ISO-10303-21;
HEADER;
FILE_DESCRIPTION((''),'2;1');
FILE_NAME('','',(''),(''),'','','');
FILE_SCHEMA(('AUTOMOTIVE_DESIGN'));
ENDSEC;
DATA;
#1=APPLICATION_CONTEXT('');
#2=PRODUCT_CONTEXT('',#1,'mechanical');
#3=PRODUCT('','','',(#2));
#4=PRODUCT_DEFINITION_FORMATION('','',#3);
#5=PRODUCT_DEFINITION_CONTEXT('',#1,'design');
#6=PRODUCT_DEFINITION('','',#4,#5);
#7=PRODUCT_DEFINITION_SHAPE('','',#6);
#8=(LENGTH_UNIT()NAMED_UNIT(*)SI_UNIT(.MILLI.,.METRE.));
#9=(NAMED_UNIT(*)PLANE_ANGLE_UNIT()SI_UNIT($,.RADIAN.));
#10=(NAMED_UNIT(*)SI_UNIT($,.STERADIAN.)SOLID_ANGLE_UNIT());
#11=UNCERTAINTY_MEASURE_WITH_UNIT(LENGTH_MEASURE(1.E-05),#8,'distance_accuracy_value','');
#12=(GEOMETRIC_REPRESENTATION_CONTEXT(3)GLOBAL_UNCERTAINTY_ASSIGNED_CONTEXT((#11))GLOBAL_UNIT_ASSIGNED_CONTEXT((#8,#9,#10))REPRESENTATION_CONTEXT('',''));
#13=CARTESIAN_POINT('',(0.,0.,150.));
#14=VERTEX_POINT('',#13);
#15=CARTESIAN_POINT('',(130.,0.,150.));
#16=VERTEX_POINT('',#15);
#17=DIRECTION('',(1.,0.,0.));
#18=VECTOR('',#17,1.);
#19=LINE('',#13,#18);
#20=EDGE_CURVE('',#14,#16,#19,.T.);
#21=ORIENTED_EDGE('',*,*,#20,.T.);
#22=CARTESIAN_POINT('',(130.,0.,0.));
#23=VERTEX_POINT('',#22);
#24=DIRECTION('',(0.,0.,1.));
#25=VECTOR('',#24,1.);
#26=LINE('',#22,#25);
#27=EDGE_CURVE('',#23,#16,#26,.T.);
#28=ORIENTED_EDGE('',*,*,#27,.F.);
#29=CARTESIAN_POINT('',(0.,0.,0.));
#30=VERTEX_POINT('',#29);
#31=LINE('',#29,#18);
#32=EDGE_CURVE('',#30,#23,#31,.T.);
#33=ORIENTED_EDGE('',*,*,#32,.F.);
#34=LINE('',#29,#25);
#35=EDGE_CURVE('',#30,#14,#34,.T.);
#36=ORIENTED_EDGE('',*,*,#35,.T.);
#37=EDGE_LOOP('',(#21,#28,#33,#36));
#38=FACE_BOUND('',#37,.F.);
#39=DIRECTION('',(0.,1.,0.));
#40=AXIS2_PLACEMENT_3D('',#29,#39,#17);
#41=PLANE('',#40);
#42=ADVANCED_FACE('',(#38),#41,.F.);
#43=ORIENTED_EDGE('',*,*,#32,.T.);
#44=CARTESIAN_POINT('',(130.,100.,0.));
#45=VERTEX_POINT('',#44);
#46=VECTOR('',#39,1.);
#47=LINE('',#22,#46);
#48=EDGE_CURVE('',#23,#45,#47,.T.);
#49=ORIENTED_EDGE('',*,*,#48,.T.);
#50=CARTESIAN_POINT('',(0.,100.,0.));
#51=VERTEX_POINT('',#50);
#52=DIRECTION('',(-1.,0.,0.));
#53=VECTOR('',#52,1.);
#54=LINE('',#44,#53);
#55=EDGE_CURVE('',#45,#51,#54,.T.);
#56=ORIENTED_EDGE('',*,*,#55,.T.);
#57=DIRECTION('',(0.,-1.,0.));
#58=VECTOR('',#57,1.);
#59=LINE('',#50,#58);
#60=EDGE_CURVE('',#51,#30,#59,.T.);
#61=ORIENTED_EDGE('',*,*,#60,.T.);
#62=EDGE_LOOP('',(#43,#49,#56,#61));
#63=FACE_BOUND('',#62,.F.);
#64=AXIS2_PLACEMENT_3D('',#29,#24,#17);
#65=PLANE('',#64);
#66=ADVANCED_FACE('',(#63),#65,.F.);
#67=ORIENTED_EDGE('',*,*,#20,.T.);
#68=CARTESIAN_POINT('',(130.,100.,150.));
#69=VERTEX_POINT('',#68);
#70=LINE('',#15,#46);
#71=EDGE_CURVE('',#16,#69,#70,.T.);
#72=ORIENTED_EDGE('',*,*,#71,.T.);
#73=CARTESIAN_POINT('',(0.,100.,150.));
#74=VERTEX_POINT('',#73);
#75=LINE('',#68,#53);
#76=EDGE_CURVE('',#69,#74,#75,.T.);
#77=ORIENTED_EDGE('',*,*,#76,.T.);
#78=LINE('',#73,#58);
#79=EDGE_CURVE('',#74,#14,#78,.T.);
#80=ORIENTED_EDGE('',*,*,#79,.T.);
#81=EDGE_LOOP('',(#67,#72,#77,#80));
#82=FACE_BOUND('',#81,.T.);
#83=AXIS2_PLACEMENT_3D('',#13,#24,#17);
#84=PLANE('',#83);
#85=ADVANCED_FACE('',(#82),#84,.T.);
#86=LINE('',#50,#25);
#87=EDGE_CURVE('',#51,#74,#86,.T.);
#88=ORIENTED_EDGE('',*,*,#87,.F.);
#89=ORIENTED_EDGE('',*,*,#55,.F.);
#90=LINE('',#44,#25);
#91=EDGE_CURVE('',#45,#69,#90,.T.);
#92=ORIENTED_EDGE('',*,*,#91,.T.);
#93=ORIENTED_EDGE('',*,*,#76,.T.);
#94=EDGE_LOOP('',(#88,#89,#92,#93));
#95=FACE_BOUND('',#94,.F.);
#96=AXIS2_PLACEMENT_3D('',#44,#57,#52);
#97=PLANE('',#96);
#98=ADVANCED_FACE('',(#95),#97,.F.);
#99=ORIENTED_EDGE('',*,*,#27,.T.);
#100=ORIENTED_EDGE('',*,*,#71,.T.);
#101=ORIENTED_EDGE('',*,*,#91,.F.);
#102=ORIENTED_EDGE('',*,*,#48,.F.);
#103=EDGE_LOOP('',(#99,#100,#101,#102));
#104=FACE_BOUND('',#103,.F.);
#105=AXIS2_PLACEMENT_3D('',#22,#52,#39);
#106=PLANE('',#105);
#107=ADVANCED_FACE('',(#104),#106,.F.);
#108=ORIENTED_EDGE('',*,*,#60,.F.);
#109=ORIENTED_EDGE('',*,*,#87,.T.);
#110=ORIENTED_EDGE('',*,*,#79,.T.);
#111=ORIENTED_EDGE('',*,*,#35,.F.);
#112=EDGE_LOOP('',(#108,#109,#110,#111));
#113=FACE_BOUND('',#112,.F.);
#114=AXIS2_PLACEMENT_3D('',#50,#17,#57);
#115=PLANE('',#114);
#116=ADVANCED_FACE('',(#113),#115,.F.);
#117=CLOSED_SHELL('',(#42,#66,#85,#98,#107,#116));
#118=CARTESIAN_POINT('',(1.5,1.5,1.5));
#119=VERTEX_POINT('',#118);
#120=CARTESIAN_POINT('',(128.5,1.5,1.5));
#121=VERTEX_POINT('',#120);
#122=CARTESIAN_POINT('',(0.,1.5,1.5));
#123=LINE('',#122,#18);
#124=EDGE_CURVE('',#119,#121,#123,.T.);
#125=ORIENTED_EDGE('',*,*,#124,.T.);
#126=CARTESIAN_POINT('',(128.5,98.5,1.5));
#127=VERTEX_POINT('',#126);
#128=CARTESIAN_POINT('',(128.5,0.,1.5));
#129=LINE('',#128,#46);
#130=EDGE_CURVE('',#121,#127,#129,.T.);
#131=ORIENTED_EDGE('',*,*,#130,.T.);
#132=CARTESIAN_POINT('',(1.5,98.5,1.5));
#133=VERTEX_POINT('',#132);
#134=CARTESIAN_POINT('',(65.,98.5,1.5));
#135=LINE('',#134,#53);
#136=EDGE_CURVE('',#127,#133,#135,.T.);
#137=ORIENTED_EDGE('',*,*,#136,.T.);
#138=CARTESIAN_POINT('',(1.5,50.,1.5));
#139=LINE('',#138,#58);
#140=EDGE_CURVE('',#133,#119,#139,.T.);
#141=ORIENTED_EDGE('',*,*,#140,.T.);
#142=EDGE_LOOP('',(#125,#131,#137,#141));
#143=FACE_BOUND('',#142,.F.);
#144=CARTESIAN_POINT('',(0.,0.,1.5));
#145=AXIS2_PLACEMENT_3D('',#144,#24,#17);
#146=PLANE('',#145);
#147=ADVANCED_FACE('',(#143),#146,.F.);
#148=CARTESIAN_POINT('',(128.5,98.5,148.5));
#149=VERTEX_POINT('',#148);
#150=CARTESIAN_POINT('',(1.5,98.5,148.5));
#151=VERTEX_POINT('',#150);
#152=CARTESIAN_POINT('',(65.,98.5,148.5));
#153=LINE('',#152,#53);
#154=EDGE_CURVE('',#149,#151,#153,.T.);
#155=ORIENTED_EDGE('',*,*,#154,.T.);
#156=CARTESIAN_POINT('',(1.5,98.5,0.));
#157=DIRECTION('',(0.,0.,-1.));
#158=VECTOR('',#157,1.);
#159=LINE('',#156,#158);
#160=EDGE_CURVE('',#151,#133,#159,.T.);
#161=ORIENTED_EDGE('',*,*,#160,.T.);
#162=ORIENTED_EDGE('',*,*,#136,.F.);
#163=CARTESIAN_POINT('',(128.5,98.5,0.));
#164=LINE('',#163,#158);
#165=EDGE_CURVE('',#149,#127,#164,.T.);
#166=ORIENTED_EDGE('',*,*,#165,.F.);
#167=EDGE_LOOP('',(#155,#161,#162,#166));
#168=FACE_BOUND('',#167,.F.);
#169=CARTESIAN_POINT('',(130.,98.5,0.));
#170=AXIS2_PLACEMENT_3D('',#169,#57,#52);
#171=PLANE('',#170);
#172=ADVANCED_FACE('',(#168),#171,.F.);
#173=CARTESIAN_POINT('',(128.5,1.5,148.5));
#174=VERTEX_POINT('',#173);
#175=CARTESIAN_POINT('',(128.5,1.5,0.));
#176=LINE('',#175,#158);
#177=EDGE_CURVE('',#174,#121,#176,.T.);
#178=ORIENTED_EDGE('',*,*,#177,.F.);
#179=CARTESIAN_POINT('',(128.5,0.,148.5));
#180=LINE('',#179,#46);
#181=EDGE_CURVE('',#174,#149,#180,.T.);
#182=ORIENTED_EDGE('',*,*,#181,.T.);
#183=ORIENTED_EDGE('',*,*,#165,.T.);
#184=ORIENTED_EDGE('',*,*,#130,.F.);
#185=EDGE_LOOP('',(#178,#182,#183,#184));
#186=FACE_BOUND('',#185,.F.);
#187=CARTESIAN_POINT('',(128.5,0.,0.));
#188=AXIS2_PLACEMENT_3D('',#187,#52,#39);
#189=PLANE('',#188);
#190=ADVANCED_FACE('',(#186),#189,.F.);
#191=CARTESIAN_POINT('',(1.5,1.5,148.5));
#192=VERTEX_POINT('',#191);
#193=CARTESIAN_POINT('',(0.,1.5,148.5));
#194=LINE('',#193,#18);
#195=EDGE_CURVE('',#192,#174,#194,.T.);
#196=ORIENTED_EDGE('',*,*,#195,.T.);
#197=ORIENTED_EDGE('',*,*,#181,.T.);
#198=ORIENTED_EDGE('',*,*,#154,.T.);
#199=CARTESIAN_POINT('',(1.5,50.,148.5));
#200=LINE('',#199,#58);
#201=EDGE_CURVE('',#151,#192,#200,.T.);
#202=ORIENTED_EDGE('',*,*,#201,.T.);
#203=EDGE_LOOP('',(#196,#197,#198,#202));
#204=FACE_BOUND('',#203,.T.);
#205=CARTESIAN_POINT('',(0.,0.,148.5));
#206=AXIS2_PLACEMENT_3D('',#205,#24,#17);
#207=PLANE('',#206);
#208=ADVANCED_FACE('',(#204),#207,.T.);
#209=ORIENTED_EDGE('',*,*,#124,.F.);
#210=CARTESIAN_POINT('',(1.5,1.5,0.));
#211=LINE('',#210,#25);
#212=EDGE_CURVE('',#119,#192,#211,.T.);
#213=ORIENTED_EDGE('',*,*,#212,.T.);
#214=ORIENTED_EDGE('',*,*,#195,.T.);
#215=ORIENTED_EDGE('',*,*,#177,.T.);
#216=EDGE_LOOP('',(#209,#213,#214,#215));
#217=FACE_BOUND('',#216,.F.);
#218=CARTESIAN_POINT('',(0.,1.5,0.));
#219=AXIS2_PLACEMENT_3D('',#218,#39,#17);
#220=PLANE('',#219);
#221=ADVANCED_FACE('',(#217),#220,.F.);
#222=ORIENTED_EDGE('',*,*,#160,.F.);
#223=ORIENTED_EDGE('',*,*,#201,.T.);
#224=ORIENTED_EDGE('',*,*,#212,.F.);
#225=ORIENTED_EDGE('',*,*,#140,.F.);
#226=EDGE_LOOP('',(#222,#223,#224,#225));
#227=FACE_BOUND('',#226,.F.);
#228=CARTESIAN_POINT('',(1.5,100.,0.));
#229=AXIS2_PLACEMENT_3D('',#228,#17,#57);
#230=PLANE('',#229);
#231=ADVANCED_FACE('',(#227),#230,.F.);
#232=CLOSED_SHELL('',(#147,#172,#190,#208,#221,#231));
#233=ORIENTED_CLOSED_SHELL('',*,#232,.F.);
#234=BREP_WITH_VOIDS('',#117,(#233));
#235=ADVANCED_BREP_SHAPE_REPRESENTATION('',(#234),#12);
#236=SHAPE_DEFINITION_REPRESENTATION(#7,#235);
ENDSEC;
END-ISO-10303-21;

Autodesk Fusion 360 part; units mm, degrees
sketch "Esboço1" plane through (0, 0, 0) normal (0, 0, 1) x (1, 0, 0)
  line L0 (0, 0) -> (110, 0)
  line L1 (110, 0) -> (110, 140)
  line L2 (110, 140) -> (0, 140)
  line L3 (0, 140) -> (0, 0)
  dimension "d1" = 110
  dimension "d2" = 140
sketch "Esboço2" plane through (0, 0, 0) normal (0, 0, 1) x (1, 0, 0)
  line L0 (20, 180) -> (107.7649, 180)
  line L1 (107.7649, 180) -> (107.7649, 243.1748)
  line L2 (107.7649, 243.1748) -> (20, 243.1748)
  line L3 (20, 243.1748) -> (20, 180)
sketch "Esboço3" plane through (0, 0, 0) normal (0, 0, 1) x (1, 0, 0)
  line L0 (0, 0) -> (130, 0)
  line L1 (130, 0) -> (130, 100)
  line L2 (130, 100) -> (0, 100)
  line L3 (0, 100) -> (0, 0)
  dimension "d8" = 130
  dimension "d9" = 100
extrude "Extrusão3" add sketch "Esboço3" along normal blind 150
shell "Casca2" thickness 1.5 removed faces 0 bodies 1
